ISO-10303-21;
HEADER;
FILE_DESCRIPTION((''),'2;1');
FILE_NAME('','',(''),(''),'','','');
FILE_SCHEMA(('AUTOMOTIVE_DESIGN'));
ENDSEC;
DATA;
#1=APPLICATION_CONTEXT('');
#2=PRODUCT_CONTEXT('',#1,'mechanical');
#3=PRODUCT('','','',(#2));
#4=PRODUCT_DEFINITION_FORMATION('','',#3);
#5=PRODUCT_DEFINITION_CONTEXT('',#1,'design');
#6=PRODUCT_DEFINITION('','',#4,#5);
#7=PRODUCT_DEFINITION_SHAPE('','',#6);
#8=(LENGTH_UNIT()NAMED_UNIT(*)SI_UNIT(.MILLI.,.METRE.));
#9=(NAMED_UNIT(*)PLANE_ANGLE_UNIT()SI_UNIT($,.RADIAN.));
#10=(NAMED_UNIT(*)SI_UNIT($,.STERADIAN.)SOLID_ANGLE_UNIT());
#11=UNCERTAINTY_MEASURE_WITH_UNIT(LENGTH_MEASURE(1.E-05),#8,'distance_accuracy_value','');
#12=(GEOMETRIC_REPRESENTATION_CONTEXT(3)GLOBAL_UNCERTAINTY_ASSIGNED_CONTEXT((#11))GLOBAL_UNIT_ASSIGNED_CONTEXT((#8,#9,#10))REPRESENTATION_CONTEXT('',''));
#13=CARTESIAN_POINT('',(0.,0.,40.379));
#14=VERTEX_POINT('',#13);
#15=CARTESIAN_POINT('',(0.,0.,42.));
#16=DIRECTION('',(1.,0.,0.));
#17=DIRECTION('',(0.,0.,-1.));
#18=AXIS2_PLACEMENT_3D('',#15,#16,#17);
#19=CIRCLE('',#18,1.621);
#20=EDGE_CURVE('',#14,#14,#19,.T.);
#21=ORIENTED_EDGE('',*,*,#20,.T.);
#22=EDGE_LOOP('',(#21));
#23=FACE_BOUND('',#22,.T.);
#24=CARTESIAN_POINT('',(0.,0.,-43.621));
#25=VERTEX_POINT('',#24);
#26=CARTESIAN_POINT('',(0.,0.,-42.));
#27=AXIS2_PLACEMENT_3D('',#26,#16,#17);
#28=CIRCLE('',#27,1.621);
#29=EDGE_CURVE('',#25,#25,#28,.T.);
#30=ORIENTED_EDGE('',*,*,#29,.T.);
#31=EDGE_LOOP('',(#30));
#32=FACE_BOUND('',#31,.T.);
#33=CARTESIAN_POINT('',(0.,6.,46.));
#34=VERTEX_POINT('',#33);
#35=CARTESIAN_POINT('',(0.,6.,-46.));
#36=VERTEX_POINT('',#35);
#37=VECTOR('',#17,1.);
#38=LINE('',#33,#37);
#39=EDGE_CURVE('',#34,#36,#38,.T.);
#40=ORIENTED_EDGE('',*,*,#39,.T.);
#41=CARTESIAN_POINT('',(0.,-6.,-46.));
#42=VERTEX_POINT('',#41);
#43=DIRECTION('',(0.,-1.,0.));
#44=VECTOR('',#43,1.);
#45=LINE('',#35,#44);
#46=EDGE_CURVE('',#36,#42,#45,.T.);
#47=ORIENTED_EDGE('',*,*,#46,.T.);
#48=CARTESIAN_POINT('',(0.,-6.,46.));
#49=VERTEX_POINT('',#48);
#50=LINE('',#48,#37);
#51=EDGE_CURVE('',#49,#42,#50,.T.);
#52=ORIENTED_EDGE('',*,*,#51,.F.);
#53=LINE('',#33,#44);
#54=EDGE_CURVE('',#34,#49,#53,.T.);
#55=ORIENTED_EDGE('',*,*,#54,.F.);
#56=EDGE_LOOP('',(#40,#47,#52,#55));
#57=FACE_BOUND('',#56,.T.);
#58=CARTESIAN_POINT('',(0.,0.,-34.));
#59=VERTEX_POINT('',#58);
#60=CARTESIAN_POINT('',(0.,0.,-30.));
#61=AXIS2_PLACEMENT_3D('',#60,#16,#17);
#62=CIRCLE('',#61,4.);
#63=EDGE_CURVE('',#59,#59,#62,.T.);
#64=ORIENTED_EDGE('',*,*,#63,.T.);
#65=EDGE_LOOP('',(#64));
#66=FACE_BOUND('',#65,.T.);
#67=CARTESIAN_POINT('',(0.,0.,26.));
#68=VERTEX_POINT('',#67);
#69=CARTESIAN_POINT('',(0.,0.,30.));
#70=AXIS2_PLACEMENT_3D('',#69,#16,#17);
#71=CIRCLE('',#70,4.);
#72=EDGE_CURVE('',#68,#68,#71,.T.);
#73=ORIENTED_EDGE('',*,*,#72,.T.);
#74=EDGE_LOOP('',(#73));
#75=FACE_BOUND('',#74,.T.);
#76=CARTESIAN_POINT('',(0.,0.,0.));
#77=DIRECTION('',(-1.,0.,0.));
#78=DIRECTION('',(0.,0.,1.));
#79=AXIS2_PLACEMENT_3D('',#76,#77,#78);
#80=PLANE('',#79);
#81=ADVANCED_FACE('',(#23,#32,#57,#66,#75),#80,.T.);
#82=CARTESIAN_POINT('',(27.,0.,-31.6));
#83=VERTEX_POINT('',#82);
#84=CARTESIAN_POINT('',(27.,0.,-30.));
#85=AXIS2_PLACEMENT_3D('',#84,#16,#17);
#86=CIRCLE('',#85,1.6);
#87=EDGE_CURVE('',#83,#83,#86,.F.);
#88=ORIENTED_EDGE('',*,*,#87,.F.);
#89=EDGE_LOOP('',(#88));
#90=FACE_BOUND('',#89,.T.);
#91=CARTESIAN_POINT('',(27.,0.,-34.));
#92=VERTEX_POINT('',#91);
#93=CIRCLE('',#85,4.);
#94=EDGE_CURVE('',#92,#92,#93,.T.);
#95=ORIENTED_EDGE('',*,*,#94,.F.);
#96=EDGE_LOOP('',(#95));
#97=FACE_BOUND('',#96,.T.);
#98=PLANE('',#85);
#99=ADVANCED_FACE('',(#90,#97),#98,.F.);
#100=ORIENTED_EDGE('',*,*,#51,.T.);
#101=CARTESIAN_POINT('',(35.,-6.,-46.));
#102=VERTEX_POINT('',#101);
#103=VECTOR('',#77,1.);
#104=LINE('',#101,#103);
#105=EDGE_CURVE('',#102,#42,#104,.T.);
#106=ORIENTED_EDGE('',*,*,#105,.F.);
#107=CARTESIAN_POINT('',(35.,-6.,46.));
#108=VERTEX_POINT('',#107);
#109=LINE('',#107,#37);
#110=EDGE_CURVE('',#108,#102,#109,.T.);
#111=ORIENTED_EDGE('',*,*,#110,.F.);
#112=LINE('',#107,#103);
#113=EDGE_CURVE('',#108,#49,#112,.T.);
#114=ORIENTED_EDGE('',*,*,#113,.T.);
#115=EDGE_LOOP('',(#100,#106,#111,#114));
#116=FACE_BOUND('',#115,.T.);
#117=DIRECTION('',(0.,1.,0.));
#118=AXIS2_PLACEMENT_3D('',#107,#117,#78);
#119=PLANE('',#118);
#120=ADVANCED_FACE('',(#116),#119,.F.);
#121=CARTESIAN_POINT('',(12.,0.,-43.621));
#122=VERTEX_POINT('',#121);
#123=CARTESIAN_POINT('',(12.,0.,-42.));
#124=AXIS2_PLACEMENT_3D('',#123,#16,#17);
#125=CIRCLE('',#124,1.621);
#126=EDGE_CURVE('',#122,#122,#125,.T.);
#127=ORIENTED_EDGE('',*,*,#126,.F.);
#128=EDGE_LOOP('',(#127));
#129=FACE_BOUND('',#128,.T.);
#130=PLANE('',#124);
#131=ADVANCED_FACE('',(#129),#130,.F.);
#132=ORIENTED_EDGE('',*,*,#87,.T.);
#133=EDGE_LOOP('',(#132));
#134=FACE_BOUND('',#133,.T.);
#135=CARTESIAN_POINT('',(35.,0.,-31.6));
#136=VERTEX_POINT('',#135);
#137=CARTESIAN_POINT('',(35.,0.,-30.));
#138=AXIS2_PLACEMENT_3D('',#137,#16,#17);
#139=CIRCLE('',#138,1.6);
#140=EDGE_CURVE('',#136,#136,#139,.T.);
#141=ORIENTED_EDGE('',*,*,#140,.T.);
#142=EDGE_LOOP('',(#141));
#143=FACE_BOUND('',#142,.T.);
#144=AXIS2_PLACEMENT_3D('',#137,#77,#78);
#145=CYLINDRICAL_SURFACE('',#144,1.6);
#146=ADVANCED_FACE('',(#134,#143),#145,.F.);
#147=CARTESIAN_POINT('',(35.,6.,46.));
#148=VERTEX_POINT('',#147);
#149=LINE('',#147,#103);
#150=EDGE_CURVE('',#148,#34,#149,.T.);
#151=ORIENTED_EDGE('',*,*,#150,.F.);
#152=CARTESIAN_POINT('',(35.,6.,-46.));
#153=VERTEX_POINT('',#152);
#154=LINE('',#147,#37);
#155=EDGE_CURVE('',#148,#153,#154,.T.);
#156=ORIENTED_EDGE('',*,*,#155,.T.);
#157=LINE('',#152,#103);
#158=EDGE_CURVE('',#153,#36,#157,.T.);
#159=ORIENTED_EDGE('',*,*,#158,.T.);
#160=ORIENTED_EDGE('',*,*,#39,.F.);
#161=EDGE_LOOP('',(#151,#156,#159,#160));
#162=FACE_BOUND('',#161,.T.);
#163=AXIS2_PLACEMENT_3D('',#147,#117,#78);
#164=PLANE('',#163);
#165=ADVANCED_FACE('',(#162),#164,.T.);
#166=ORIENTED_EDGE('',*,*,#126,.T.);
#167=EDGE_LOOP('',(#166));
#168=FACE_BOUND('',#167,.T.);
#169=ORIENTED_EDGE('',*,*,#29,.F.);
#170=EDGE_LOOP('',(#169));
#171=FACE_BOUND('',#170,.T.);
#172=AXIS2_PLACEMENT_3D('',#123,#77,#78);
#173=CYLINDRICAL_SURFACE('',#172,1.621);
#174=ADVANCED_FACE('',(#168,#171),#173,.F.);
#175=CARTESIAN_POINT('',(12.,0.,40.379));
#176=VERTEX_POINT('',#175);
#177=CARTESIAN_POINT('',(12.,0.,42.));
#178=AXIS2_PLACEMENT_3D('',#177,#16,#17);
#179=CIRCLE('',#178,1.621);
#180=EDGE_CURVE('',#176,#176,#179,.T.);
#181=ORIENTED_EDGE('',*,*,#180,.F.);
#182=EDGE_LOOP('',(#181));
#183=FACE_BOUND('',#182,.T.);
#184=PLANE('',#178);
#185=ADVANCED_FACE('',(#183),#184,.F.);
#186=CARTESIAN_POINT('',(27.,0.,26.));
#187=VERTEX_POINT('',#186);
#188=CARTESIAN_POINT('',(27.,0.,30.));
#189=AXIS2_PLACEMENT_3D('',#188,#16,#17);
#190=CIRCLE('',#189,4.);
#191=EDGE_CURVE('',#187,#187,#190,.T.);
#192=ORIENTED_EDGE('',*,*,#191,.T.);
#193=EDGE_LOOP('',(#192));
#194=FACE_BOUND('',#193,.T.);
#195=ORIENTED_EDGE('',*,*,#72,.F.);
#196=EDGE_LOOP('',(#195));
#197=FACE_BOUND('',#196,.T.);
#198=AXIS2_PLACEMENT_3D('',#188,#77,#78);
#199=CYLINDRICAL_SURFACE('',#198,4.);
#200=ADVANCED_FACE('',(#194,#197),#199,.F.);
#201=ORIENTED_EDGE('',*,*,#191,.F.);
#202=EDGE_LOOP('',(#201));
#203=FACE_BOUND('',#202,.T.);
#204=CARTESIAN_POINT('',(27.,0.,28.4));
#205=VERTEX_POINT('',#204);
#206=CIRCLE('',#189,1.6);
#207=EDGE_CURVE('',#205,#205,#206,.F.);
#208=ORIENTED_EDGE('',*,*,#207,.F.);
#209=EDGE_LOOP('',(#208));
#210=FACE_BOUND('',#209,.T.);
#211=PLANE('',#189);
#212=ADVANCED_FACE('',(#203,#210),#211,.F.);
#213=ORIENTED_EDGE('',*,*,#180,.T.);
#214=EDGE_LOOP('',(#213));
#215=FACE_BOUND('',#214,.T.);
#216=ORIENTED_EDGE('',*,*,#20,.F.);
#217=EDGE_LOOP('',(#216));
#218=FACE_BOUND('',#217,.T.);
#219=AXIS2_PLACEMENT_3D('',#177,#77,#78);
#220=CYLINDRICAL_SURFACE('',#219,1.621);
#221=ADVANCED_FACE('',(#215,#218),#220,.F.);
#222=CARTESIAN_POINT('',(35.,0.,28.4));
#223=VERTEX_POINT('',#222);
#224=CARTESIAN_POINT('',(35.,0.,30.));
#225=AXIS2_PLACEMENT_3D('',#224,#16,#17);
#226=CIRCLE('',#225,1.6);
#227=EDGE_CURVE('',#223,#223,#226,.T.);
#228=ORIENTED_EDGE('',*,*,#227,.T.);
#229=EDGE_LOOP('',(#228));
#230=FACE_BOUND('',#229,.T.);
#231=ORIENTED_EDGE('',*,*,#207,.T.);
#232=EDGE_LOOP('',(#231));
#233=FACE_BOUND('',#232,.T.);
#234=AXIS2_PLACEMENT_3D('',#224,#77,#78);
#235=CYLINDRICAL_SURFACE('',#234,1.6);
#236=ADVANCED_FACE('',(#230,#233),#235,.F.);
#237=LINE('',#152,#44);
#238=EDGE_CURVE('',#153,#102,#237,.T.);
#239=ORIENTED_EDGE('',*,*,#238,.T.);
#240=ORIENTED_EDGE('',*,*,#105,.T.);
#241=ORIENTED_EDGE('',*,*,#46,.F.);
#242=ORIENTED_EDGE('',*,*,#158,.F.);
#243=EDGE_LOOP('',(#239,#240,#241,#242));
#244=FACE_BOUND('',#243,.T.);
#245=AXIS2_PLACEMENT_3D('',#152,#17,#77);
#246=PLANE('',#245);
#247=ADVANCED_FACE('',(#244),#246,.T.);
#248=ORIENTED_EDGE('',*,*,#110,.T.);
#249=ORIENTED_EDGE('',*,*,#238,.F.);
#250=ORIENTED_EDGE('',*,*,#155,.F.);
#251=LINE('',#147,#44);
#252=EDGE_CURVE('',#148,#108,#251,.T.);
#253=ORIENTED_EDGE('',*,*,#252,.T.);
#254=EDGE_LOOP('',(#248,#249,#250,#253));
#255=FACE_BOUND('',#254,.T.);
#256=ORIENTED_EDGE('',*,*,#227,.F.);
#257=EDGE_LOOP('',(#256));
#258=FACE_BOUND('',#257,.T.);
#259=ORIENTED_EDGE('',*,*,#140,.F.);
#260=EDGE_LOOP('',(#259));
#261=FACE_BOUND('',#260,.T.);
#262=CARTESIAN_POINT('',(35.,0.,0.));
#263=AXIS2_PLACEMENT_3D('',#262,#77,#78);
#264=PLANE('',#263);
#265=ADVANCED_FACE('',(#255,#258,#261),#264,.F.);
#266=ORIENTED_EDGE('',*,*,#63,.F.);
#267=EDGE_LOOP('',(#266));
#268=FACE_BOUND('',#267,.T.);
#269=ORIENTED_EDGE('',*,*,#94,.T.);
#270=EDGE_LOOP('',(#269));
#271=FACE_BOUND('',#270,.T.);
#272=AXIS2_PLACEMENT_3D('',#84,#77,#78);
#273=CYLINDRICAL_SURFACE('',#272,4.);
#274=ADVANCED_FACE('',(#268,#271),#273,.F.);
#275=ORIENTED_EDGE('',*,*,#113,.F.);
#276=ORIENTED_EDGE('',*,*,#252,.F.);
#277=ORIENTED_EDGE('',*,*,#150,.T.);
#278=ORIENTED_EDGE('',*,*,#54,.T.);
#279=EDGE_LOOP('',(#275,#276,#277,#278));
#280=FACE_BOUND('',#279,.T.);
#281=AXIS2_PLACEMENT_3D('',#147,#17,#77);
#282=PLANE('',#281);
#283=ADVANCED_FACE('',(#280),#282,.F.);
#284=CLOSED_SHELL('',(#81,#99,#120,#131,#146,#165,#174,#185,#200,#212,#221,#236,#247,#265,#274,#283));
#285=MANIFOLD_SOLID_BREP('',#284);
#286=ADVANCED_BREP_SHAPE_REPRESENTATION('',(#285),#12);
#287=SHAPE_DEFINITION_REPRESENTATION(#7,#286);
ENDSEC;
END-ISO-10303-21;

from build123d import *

# Parameters (mm, degrees)
SKETCH1_W           = 92
SKETCH1_H           = 12
BOSS_EXTRUDE1_DEPTH = 35
SKETCH1_4_R         = 4
CUT_EXTRUDE1_DEPTH  = 27
SKETCH1_5_R         = 1.6
CUT_EXTRUDE2_DEPTH  = 35
SKETCH1_6_R         = 1.621
CUT_EXTRUDE3_DEPTH  = 12


with BuildPart() as part:
    # Sketch1 → Boss-Extrude1 (new body)
    with BuildSketch(Plane(origin=(0, 0, 0), x_dir=(0, 0, -1), z_dir=(1, 0, 0))):
        Rectangle(SKETCH1_W, SKETCH1_H)
    extrude(amount=BOSS_EXTRUDE1_DEPTH)

    # Sketch1<4> → Cut-Extrude1 (cut)
    with BuildSketch(Plane(origin=(0, 0, 0), x_dir=(0, 0, -1), z_dir=(1, 0, 0))):
        with Locations((-30, 0)):
            Circle(SKETCH1_4_R)
        with Locations((30, 0)):
            Circle(SKETCH1_4_R)
    extrude(amount=CUT_EXTRUDE1_DEPTH, mode=Mode.SUBTRACT)

    # Sketch1<5> → Cut-Extrude2 (cut)
    with BuildSketch(Plane(origin=(0, 0, 0), x_dir=(0, 0, -1), z_dir=(1, 0, 0))):
        with Locations((-30, 0)):
            Circle(SKETCH1_5_R)
        with Locations((30, 0)):
            Circle(SKETCH1_5_R)
    extrude(amount=CUT_EXTRUDE2_DEPTH, mode=Mode.SUBTRACT)

    # Sketch1<6> → Cut-Extrude3 (cut)
    with BuildSketch(Plane(origin=(0, 0, 0), x_dir=(0, 0, -1), z_dir=(1, 0, 0))):
        with Locations((-42, 0)):
            Circle(SKETCH1_6_R)
        with Locations((42, 0)):
            Circle(SKETCH1_6_R)
    extrude(amount=CUT_EXTRUDE3_DEPTH, mode=Mode.SUBTRACT)


solid = part.part
